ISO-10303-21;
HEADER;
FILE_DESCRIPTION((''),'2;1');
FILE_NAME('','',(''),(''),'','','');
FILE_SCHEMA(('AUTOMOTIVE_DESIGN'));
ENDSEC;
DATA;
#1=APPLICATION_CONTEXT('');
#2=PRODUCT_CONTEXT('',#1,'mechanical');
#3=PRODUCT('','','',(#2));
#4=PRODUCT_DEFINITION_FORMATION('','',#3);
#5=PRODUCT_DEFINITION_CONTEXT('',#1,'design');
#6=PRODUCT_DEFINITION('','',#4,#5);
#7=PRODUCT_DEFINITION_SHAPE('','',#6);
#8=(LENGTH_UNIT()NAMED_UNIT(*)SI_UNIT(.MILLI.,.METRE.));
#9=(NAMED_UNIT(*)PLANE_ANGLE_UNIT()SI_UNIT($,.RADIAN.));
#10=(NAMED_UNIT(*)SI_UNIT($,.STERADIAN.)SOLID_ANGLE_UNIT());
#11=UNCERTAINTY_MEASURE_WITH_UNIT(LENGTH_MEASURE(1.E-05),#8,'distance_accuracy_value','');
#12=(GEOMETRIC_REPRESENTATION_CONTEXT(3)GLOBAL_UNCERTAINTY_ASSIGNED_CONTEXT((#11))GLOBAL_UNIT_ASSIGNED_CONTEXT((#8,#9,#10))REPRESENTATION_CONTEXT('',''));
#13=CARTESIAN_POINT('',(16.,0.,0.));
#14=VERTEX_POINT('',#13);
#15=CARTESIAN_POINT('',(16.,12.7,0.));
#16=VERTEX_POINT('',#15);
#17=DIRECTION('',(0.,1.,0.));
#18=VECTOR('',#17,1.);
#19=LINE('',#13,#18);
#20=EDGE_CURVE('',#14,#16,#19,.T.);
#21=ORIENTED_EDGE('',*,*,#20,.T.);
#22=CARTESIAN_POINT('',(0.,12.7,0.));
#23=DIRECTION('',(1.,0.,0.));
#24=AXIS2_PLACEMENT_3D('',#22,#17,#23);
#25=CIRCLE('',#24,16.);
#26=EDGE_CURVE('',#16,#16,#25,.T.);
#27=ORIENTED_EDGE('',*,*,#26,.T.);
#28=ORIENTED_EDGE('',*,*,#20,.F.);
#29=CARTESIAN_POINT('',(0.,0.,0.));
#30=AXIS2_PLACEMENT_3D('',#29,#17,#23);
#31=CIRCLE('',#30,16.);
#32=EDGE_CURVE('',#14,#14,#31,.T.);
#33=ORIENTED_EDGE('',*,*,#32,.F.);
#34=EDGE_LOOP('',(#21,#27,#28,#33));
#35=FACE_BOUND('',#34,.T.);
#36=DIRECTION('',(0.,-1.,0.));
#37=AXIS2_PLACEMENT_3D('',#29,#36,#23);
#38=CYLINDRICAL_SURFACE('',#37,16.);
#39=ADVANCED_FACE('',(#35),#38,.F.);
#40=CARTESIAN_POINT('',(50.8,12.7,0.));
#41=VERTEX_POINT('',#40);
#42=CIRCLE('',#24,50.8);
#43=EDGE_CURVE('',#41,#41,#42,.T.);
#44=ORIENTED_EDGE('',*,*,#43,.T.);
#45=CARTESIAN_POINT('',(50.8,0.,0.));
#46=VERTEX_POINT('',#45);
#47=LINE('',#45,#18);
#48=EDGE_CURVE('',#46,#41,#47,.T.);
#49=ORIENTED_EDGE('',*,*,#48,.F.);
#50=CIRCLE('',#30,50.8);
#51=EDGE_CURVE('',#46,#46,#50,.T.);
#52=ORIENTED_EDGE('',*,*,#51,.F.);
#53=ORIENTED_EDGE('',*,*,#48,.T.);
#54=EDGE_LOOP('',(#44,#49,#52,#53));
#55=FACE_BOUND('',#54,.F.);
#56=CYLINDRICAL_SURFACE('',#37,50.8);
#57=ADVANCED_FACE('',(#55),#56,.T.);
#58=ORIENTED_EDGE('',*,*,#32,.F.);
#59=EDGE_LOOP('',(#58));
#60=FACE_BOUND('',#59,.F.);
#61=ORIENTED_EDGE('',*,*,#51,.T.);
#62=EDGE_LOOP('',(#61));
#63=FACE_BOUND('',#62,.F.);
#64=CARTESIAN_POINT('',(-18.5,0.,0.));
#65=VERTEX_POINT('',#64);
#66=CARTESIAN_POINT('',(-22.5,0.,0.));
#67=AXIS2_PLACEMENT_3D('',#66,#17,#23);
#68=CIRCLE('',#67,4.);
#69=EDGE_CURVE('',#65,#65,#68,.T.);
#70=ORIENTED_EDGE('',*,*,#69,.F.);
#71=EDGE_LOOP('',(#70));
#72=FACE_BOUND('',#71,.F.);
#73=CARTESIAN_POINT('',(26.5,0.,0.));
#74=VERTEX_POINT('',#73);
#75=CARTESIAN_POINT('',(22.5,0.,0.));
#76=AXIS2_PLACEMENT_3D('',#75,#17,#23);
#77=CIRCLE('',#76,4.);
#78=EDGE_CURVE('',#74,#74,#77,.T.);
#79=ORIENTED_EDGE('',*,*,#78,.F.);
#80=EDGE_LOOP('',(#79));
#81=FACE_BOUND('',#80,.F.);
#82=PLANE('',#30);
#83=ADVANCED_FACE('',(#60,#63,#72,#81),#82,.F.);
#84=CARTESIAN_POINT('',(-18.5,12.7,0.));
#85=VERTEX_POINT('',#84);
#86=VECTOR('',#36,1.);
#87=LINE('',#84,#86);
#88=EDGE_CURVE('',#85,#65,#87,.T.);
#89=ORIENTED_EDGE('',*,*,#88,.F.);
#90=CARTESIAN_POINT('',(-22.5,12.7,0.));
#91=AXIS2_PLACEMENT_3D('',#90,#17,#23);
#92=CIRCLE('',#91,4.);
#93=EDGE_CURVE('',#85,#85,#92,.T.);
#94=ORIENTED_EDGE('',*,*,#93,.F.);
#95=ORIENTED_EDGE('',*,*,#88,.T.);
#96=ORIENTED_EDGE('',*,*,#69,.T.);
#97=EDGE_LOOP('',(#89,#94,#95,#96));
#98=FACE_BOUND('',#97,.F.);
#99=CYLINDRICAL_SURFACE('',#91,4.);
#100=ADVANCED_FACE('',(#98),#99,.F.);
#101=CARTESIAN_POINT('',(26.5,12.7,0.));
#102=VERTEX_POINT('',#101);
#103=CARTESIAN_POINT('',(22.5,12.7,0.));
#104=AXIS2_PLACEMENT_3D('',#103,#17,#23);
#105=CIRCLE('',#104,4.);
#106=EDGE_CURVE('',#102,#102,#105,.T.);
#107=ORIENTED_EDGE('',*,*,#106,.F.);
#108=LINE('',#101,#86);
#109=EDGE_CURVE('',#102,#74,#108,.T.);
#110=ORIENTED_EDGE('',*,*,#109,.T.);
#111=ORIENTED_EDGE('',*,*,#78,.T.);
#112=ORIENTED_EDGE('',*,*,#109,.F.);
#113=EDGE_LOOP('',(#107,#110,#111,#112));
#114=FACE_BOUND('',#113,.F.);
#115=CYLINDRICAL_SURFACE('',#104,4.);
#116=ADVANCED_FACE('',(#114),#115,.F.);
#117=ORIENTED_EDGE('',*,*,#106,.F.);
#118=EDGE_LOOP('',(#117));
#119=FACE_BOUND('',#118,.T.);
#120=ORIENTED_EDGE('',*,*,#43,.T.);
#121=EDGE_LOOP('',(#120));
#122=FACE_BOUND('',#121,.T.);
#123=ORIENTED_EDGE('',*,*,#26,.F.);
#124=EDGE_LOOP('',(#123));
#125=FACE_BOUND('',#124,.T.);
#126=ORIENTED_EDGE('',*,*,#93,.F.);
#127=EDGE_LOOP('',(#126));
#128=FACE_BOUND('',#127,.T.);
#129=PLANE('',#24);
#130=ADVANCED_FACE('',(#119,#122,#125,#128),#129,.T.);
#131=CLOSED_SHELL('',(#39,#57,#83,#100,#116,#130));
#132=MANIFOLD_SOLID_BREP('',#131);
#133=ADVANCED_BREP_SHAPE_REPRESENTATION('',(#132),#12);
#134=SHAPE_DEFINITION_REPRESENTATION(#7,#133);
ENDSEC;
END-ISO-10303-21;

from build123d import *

# Parameters (mm, degrees)
SKETCH1_R           = 50.8
SKETCH1_R_2         = 16
BOSS_EXTRUDE1_DEPTH = 12.7
SKETCH2_R           = 4
CUT_EXTRUDE1_DEPTH  = 12.7


with BuildPart() as part:
    # Sketch1 → Boss-Extrude1 (new body)
    with BuildSketch(Plane(origin=(0, 0, 0), x_dir=(1, 0, 0), z_dir=(0, 1, 0))):
        Circle(SKETCH1_R)
        Circle(SKETCH1_R_2, mode=Mode.SUBTRACT)
    extrude(amount=BOSS_EXTRUDE1_DEPTH)

    # Sketch2 → Cut-Extrude1 (cut)
    with BuildSketch(Plane(origin=(0, 12.7, 0), x_dir=(1, 0, 0), z_dir=(0, 1, 0))):
        with Locations((-22.5, 0)):
            Circle(SKETCH2_R)
        with Locations((22.5, 0)):
            Circle(SKETCH2_R)
    extrude(amount=-CUT_EXTRUDE1_DEPTH, mode=Mode.SUBTRACT)


solid = part.part
